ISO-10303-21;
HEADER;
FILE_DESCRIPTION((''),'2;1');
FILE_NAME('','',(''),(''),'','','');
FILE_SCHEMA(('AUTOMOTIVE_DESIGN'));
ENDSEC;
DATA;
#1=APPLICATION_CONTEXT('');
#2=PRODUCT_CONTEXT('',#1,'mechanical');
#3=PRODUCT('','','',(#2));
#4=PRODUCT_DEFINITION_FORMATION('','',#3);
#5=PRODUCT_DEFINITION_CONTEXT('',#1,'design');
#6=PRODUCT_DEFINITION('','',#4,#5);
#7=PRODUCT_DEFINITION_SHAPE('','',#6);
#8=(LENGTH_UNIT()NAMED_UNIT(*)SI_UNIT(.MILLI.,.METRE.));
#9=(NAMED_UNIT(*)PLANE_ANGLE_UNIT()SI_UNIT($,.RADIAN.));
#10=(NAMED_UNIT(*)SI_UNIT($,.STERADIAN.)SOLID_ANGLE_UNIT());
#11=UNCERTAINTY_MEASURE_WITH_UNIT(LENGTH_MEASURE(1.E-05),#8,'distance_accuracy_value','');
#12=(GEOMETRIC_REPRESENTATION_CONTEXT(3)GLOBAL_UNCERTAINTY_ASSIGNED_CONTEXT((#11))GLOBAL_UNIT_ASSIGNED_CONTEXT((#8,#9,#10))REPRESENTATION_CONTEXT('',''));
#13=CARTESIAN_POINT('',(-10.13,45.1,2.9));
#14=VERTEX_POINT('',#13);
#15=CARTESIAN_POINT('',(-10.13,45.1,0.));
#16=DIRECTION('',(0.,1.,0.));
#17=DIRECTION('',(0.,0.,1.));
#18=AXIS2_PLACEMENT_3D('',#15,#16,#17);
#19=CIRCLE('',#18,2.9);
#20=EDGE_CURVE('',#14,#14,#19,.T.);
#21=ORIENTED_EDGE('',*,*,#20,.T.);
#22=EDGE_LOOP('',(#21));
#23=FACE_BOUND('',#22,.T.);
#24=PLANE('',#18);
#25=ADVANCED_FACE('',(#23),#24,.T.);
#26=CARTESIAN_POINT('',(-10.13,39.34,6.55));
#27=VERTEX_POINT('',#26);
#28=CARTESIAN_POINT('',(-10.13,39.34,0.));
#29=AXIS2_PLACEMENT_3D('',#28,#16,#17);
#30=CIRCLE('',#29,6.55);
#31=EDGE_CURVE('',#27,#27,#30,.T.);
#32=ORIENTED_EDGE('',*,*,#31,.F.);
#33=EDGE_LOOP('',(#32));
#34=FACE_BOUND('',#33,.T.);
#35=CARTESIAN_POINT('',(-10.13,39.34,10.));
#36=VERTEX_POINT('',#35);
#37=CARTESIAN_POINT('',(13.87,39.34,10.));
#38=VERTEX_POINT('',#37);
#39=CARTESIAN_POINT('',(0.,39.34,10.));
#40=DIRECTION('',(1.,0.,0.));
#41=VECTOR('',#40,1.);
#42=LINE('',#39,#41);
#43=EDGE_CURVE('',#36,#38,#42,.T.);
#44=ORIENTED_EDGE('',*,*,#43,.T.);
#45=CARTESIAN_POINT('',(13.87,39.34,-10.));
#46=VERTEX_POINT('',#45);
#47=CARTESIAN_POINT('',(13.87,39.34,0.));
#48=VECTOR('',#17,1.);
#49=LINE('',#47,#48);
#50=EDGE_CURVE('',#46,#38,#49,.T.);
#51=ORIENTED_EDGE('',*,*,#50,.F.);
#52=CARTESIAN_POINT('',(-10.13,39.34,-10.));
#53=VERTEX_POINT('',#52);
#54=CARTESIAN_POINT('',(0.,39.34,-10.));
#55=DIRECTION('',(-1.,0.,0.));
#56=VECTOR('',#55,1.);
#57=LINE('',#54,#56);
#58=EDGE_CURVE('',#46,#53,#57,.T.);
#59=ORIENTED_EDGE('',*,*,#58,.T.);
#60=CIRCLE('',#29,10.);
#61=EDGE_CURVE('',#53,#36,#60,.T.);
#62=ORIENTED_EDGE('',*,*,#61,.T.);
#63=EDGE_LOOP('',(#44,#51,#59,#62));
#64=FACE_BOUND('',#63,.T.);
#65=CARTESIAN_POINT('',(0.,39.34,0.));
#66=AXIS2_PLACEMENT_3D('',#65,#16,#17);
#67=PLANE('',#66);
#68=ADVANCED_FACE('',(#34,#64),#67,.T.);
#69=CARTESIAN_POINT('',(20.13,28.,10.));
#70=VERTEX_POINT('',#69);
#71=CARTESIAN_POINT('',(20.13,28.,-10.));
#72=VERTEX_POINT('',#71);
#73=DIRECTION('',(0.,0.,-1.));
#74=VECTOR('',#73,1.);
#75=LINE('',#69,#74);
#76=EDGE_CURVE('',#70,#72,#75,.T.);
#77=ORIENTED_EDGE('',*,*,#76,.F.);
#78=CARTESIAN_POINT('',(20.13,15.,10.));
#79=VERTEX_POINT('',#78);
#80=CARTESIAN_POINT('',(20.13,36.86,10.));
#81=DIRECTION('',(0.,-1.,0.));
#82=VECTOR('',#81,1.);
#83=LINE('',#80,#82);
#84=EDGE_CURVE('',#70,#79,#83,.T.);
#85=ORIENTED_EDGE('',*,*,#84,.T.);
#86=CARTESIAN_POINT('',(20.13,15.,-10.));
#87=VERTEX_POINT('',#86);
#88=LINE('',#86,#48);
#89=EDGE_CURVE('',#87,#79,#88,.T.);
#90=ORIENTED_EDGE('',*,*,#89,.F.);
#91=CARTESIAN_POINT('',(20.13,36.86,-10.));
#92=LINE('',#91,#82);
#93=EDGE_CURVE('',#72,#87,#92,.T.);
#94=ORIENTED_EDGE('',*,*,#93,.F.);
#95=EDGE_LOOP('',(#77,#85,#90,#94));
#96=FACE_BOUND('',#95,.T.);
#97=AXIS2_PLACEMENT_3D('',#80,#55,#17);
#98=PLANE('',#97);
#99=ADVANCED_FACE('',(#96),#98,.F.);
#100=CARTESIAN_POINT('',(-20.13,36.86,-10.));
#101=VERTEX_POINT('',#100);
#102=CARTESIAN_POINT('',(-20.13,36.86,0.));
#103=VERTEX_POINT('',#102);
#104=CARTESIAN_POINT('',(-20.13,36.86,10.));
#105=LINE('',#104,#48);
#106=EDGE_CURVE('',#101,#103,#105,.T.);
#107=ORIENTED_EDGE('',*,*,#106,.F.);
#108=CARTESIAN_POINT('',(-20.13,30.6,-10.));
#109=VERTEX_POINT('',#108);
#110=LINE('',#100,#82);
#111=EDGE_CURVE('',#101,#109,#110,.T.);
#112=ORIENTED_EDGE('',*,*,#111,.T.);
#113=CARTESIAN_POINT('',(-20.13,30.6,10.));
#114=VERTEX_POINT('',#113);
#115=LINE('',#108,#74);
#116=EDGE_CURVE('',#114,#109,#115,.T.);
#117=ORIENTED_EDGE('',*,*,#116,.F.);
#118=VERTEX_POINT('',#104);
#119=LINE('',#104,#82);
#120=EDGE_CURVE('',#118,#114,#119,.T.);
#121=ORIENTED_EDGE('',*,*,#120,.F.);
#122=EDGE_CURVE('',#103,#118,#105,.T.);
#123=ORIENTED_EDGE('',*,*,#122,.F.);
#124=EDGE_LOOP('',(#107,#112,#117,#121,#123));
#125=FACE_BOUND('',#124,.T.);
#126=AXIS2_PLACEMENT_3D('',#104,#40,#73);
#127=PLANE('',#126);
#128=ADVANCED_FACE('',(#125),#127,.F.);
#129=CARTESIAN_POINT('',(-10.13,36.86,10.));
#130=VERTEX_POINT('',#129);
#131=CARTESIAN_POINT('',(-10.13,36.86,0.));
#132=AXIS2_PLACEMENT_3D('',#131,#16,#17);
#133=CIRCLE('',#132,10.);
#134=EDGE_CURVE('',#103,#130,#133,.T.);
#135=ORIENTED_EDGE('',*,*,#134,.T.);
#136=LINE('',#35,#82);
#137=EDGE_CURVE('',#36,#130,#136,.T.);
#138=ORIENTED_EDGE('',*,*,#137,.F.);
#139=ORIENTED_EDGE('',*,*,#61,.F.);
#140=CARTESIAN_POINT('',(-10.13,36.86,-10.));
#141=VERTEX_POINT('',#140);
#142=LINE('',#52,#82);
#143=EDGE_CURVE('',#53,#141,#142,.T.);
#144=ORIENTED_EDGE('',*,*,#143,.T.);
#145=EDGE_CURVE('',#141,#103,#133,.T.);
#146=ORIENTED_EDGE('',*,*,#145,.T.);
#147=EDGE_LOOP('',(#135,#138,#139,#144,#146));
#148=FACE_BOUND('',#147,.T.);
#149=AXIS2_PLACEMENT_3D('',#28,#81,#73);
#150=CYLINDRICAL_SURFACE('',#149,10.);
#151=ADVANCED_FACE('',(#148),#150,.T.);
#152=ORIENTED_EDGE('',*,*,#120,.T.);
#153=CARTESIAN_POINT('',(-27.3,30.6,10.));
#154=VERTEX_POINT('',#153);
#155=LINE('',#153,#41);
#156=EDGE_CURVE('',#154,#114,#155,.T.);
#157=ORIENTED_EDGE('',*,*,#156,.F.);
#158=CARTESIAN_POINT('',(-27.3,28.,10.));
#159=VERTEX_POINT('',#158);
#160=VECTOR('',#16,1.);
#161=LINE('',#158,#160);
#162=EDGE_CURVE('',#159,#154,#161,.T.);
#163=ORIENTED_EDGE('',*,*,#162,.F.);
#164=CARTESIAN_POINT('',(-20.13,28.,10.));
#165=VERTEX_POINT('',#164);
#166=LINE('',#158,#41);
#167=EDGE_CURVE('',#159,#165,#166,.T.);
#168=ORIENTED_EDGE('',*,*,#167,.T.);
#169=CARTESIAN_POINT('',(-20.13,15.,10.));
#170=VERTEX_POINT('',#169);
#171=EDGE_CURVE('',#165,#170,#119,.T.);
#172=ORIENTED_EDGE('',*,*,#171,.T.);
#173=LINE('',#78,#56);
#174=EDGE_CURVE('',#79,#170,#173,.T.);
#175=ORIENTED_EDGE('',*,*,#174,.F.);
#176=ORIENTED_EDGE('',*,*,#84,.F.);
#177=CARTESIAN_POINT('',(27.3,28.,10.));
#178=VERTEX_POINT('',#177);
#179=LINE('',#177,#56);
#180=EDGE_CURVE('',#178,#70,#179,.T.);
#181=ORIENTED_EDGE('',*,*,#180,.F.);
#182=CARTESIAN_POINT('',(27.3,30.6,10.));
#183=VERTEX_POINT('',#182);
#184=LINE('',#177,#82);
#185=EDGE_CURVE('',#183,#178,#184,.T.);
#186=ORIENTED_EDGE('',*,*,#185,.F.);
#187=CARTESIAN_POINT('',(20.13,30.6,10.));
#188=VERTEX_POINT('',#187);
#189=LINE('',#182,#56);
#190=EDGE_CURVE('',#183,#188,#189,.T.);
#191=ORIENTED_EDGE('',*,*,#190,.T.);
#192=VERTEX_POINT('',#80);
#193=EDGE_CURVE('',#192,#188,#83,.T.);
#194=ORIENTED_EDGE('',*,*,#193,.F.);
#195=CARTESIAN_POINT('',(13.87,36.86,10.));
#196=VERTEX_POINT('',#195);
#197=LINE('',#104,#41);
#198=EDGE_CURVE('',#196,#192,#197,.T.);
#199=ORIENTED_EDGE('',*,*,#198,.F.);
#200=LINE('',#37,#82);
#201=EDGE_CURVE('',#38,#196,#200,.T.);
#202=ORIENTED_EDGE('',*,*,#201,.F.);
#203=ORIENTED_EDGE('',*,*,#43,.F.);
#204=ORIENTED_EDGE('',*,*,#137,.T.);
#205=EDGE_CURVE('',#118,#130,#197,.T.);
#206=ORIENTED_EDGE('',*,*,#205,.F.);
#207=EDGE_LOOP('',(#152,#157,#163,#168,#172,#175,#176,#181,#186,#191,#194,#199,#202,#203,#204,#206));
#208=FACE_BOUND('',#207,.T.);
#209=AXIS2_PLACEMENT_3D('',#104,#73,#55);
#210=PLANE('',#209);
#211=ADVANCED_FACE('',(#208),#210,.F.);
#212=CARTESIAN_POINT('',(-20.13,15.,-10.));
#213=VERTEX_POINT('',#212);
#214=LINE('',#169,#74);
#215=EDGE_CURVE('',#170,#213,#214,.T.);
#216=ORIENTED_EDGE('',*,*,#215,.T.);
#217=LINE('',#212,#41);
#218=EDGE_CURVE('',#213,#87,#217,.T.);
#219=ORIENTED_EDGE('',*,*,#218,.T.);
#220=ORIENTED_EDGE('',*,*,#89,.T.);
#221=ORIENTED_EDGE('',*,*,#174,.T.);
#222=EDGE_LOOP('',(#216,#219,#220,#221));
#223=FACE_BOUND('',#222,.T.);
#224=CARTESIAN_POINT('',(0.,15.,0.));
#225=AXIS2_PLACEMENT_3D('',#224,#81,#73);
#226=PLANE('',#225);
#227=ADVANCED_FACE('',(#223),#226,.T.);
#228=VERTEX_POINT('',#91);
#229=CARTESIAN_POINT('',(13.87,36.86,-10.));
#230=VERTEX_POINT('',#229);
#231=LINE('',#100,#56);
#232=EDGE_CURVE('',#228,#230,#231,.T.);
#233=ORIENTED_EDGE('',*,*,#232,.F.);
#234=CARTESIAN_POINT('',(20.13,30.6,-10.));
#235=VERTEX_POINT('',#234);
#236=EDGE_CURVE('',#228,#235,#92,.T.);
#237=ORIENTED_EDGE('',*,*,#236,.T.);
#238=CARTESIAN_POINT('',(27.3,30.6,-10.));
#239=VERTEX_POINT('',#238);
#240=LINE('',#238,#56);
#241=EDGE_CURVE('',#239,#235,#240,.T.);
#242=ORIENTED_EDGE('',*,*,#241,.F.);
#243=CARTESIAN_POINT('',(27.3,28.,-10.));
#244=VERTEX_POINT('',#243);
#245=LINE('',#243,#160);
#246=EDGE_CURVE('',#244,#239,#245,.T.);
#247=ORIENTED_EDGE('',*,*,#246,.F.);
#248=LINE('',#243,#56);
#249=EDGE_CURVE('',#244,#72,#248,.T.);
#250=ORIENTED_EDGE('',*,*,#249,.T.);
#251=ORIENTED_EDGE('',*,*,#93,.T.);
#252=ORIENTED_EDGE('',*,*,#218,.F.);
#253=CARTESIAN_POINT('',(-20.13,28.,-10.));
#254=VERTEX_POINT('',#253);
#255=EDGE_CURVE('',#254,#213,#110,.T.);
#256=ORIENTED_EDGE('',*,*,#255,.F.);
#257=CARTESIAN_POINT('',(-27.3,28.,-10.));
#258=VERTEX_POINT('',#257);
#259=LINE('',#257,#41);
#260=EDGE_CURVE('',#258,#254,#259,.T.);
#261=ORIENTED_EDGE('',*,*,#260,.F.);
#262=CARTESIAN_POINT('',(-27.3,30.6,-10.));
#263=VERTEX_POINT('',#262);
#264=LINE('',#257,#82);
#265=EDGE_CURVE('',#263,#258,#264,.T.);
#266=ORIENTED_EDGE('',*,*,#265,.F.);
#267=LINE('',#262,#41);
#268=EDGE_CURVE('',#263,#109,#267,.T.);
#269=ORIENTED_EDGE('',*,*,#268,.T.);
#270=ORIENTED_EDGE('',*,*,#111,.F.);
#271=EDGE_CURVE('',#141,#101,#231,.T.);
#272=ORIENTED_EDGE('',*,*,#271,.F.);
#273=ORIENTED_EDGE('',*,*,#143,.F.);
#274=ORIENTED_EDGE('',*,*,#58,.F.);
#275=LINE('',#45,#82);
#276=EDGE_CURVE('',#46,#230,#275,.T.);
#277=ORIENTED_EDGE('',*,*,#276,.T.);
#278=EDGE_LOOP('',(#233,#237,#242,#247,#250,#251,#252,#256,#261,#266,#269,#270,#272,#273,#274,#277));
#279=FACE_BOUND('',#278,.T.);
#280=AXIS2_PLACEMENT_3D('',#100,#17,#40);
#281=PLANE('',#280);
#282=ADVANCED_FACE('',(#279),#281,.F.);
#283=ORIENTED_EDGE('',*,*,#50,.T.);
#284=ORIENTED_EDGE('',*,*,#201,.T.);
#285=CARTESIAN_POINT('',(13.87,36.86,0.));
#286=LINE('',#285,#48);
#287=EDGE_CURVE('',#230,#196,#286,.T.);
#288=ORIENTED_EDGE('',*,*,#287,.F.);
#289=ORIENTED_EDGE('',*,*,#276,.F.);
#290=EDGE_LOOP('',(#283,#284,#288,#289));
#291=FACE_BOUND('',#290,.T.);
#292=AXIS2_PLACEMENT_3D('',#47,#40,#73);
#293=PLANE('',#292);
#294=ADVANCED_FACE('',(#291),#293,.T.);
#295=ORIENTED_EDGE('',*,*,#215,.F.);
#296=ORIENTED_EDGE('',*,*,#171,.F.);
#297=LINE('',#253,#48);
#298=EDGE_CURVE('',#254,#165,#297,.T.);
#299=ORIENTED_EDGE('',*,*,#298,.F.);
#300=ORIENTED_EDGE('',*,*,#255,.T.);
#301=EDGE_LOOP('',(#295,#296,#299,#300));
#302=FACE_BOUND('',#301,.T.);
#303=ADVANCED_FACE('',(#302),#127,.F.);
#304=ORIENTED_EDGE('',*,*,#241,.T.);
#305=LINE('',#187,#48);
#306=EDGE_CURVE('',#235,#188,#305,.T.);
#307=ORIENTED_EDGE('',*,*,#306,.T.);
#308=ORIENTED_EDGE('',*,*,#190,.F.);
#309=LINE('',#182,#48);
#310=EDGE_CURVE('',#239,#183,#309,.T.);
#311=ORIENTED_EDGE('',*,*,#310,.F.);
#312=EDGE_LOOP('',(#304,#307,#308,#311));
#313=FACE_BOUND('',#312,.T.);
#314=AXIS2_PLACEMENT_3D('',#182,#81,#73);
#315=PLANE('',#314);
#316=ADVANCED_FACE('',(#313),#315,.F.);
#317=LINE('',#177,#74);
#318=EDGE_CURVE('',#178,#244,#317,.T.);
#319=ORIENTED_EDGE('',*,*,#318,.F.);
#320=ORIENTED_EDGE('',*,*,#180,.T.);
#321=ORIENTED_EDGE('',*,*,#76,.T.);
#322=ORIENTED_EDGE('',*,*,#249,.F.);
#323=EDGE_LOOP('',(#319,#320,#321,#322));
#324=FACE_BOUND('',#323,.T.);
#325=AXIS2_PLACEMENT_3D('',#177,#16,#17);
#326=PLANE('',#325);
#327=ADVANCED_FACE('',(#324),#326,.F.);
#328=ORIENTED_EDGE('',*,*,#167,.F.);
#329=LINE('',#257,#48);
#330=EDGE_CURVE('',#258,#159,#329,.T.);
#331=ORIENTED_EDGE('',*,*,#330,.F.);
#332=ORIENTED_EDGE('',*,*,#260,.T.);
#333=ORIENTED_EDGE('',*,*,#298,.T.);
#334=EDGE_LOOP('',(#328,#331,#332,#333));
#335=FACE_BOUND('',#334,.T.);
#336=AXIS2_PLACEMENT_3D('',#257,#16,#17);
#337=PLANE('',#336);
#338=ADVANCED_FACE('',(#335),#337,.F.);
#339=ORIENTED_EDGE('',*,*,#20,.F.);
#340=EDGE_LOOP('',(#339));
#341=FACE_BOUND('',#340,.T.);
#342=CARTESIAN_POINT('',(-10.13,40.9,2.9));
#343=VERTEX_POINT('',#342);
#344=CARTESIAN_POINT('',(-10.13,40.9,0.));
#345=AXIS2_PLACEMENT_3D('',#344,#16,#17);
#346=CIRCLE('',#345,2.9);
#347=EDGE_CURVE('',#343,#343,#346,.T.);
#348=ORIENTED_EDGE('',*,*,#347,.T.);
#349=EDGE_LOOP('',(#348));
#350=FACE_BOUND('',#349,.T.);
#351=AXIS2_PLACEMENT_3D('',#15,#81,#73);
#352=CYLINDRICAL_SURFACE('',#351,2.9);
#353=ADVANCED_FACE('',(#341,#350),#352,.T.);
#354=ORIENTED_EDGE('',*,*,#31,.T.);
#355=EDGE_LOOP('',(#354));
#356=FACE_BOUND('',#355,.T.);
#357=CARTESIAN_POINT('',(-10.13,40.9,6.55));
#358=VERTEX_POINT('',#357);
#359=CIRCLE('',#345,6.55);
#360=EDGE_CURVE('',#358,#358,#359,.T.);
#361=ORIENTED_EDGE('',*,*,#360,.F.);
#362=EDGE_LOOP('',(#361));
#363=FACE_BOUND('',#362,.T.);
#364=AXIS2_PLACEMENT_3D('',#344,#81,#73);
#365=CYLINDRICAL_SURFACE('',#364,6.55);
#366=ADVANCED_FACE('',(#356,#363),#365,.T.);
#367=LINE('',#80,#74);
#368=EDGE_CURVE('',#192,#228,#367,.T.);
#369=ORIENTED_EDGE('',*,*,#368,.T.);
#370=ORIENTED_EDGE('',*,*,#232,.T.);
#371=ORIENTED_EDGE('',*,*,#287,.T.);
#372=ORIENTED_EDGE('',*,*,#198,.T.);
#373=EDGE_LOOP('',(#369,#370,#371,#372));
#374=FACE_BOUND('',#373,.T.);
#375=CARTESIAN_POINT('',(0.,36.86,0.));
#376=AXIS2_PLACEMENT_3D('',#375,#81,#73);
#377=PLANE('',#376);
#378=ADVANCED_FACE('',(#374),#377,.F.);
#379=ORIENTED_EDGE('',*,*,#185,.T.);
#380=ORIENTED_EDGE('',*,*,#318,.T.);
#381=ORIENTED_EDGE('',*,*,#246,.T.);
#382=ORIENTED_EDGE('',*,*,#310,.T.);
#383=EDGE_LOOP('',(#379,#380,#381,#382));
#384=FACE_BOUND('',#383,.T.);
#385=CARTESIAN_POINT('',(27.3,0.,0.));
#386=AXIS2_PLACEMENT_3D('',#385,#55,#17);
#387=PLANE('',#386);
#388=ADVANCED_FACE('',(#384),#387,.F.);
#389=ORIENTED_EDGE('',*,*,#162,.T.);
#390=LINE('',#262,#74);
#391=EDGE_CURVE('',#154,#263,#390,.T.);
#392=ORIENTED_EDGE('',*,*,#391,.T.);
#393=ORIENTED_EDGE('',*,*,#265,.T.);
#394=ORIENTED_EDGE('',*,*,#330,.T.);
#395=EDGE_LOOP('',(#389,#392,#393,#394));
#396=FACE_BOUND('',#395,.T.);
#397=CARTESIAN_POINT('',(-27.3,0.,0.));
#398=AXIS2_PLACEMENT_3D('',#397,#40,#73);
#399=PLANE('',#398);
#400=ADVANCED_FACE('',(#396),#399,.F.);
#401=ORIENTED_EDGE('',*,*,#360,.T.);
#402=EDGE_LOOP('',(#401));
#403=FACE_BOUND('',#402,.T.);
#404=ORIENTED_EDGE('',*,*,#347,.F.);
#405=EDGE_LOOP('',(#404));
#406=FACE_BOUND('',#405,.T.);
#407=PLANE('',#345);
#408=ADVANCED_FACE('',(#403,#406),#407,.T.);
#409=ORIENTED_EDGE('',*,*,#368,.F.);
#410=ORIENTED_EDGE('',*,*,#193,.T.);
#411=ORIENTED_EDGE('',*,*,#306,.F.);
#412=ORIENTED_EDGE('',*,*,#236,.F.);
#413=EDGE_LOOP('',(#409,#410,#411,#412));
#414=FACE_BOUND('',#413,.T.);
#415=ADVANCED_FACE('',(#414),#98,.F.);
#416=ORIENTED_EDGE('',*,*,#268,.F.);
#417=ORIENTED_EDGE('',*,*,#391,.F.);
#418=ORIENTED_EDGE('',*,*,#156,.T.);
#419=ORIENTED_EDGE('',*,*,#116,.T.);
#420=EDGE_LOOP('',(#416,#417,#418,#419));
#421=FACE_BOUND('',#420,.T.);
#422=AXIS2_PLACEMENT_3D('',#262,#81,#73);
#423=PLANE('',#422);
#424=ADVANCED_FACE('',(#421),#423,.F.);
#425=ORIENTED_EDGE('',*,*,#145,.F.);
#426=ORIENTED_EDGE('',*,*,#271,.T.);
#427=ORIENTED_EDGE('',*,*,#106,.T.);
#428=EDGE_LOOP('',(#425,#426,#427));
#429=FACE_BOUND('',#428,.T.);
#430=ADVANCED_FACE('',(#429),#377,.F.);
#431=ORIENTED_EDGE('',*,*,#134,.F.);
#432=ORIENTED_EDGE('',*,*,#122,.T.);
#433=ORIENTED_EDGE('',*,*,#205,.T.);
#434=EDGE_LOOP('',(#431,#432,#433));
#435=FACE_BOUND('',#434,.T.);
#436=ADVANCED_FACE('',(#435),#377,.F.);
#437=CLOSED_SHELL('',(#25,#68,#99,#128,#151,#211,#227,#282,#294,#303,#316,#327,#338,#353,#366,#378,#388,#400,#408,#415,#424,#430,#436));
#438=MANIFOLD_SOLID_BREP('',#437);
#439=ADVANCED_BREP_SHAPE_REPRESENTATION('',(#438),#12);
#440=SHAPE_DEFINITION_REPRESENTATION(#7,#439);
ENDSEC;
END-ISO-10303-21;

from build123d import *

# Parameters (mm, degrees)
SKETCH1_W           = 40.26
SKETCH1_H           = 20
BOSS_EXTRUDE1_DEPTH = 36.86
SKETCH2_W           = 20
SKETCH2_H           = 2.6
BOSS_EXTRUDE2_DEPTH = 7.17
SKETCH3_W           = 20
SKETCH3_H           = 2.6
BOSS_EXTRUDE3_DEPTH = 7.17
SKETCH4_R           = 10
BOSS_EXTRUDE4_DEPTH = 2.48
SKETCH5_R           = 6.55
BOSS_EXTRUDE5_DEPTH = 1.56
SKETCH6_R           = 2.9
BOSS_EXTRUDE6_DEPTH = 4.2
SKETCH7_W           = 40.26
SKETCH7_H           = 20
CUT_EXTRUDE1_DEPTH  = 15


with BuildPart() as part:
    # Sketch1 → Boss-Extrude1 (new body)
    with BuildSketch(Plane(origin=(0, 0, 0), x_dir=(1, 0, 0), z_dir=(0, 1, 0))):
        Rectangle(SKETCH1_W, SKETCH1_H)
    extrude(amount=BOSS_EXTRUDE1_DEPTH)

    # Sketch2 → Boss-Extrude2 (add)
    with BuildSketch(Plane(origin=(20.13, 0, 0), x_dir=(0, 0, -1), z_dir=(1, 0, 0))):
        with Locations((0, 29.3)):
            Rectangle(SKETCH2_W, SKETCH2_H)
    extrude(amount=BOSS_EXTRUDE2_DEPTH)

    # Sketch3 → Boss-Extrude3 (add)
    with BuildSketch(Plane.ZY.offset(20.13)):
        with Locations((0, 29.3)):
            Rectangle(SKETCH3_W, SKETCH3_H)
    extrude(amount=BOSS_EXTRUDE3_DEPTH)

    # Sketch4 → Boss-Extrude4 (add)
    with BuildSketch(Plane(origin=(0, 36.86, 0), x_dir=(1, 0, 0), z_dir=(0, 1, 0))):
        with Locations((-10.13, 0)):
            Circle(SKETCH4_R)
        with BuildLine():
            Line((13.87, 10), (-10.13, 10))
            ThreePointArc((-10.13, 10), (-3.058932188, 7.071067812), (-0.13, 0))
            ThreePointArc((-0.13, 0), (-3.058932188, -7.071067812), (-10.13, -10))
            Line((-10.13, -10), (13.87, -10))
            Line((13.87, -10), (13.87, 10))
        make_face()
    extrude(amount=BOSS_EXTRUDE4_DEPTH)

    # Sketch5 → Boss-Extrude5 (add)
    with BuildSketch(Plane(origin=(0, 39.34, 0), x_dir=(1, 0, 0), z_dir=(0, 1, 0))):
        with Locations((-10.13, 0)):
            Circle(SKETCH5_R)
    extrude(amount=BOSS_EXTRUDE5_DEPTH)

    # Sketch6 → Boss-Extrude6 (add)
    with BuildSketch(Plane(origin=(0, 40.9, 0), x_dir=(1, 0, 0), z_dir=(0, 1, 0))):
        with Locations((-10.13, 0)):
            Circle(SKETCH6_R)
    extrude(amount=BOSS_EXTRUDE6_DEPTH)

    # Sketch7 → Cut-Extrude1 (cut)
    with BuildSketch(Plane.XZ):
        Rectangle(SKETCH7_W, SKETCH7_H)
    extrude(amount=-CUT_EXTRUDE1_DEPTH, mode=Mode.SUBTRACT)


solid = part.part
